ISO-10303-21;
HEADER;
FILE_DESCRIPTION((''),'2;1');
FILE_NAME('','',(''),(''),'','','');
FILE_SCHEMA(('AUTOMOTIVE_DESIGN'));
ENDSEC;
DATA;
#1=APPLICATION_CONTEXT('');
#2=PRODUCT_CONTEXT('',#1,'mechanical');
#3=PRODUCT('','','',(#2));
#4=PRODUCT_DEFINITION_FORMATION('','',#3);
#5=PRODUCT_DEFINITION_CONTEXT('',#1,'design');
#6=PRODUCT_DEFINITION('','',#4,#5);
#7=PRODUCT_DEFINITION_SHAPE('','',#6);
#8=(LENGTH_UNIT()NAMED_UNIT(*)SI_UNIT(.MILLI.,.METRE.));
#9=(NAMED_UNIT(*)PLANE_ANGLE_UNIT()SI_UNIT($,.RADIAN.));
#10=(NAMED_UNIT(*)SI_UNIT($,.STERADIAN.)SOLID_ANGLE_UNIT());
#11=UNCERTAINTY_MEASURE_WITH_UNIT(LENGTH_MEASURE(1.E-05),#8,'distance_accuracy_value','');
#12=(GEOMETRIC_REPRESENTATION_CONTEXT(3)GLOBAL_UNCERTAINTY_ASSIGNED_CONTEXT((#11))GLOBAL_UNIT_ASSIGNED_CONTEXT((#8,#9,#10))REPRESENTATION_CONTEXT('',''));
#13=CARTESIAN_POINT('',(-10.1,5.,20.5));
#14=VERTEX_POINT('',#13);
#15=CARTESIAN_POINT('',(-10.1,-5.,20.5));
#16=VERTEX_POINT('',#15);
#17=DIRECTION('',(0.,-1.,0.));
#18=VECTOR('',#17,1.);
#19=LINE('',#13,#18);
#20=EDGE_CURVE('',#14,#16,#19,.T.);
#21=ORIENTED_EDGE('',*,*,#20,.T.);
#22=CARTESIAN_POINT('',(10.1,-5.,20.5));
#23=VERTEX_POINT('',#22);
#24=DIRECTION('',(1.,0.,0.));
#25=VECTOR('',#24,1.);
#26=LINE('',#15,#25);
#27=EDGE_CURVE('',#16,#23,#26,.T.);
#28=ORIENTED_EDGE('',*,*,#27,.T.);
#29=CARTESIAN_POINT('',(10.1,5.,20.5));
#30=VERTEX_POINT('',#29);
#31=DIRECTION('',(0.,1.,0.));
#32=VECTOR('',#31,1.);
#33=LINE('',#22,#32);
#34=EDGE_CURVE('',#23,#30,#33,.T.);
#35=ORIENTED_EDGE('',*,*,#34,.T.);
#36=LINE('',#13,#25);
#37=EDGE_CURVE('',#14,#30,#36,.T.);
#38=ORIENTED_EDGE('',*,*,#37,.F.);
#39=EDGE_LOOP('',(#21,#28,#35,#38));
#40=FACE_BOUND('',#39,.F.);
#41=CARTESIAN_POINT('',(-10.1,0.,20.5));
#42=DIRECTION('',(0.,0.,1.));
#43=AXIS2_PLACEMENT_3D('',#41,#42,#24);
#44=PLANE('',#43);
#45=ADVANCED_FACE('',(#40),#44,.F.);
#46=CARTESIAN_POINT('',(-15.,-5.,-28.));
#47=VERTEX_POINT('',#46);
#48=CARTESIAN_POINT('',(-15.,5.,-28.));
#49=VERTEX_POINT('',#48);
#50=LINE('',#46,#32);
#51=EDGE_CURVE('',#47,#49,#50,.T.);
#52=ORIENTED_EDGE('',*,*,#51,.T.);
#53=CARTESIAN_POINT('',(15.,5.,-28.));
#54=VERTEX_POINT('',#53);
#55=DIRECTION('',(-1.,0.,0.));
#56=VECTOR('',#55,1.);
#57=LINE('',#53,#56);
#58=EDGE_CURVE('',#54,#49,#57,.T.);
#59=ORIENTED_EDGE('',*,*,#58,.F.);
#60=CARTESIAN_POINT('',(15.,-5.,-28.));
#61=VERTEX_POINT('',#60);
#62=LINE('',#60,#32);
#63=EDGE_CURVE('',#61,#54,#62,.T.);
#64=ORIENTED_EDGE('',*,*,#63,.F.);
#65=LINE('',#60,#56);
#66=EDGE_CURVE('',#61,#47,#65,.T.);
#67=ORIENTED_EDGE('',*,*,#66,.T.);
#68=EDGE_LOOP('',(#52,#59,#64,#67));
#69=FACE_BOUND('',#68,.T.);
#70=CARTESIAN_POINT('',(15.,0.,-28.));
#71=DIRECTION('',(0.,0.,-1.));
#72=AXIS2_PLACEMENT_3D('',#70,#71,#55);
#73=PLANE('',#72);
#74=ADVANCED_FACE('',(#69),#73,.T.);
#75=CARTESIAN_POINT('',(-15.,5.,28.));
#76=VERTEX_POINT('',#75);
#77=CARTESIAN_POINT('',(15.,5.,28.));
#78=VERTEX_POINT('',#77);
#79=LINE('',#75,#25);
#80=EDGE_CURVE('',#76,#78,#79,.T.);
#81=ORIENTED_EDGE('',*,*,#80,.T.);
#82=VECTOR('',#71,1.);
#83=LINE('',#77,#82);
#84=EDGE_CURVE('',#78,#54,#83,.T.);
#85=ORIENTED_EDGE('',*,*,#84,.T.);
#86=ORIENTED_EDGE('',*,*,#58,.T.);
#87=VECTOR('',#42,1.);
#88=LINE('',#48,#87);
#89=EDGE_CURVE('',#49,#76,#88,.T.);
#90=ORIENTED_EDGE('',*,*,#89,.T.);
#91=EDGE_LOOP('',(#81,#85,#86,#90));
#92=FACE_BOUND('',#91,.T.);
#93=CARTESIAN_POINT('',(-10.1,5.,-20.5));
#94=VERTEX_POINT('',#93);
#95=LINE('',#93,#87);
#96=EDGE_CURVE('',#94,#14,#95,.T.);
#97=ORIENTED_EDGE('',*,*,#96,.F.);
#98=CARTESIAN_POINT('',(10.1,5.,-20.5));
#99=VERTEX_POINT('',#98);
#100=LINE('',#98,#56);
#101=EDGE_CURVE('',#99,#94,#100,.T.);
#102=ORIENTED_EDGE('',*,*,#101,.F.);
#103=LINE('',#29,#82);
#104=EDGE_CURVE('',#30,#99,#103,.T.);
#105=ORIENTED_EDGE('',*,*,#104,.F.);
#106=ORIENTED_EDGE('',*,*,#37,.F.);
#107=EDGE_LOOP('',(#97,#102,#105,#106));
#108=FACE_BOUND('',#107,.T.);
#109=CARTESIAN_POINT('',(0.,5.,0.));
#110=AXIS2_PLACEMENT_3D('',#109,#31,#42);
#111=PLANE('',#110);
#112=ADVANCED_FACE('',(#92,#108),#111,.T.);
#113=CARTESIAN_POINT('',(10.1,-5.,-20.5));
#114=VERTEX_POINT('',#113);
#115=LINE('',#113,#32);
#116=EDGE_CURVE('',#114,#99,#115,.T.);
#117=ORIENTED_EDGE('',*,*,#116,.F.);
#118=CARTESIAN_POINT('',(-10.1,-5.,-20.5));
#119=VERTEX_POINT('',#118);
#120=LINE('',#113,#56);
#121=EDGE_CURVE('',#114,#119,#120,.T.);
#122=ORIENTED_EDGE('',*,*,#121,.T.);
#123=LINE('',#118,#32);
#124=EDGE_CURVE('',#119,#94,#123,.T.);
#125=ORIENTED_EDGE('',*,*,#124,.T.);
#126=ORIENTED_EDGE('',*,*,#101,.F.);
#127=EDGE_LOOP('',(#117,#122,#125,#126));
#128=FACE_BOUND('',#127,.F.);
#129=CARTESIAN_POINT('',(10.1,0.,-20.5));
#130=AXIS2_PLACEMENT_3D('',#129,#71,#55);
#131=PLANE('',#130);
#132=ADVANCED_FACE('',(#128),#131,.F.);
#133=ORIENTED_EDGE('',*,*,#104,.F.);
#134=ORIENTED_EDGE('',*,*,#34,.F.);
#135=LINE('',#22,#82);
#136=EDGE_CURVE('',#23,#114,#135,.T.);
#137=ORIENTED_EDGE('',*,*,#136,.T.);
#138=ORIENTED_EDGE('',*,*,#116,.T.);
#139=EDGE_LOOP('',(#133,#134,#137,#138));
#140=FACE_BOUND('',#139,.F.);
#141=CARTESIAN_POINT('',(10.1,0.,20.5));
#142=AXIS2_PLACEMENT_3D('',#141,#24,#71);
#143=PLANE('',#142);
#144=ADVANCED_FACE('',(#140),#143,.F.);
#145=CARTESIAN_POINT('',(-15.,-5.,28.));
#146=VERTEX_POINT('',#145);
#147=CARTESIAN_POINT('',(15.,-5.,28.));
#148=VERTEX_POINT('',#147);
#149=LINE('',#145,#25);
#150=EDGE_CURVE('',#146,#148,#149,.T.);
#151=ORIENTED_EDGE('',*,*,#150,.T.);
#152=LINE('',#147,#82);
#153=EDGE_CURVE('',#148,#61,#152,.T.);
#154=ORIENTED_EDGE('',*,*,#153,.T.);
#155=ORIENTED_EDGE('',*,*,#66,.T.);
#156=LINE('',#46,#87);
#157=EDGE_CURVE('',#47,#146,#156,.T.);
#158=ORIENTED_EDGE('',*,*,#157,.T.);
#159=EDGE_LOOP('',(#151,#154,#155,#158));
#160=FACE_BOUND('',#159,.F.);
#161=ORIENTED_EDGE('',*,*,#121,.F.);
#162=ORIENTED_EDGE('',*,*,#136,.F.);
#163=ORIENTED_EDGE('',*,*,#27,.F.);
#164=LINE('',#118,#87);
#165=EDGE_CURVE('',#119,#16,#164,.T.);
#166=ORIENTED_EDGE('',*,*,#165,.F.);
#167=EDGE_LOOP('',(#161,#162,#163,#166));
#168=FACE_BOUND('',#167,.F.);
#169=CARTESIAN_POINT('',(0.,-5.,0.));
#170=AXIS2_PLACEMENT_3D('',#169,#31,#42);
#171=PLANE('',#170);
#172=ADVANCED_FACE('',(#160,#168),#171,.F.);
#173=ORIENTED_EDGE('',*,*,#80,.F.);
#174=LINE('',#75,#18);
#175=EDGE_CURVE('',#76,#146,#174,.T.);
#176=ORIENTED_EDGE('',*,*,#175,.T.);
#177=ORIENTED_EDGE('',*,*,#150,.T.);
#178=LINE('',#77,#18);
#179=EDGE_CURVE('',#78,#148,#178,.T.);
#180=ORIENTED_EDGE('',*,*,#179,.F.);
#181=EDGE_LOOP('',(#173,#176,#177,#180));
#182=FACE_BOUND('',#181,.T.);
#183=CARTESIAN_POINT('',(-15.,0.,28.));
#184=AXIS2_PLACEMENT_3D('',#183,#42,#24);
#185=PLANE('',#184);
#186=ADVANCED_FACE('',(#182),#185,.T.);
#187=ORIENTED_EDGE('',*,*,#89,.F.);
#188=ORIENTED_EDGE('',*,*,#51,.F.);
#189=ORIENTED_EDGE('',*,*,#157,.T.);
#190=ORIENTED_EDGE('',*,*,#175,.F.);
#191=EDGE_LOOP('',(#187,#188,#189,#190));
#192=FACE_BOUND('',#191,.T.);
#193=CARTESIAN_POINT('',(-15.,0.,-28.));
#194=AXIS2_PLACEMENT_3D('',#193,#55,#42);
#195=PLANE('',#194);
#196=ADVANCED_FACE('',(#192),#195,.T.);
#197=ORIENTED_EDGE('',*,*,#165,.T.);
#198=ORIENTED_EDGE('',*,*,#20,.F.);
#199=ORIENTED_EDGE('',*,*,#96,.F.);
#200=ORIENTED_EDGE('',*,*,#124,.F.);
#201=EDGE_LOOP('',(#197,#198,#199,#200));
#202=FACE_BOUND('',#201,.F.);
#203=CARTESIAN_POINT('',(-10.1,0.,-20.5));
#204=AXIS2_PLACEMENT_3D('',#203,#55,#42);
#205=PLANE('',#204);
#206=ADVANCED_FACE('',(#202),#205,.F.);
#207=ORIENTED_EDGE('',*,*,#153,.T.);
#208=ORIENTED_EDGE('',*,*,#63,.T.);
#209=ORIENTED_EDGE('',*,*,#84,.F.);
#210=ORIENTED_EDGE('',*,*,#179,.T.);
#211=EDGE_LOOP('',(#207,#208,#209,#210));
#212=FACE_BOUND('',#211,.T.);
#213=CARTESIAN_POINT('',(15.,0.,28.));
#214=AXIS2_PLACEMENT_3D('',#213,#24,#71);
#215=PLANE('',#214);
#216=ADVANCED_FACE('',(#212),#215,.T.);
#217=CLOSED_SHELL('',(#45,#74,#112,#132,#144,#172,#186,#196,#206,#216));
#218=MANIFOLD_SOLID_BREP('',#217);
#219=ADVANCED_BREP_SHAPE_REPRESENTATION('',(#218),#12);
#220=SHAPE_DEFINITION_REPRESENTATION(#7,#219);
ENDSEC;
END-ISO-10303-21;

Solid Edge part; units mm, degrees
sketch "Sketch1" plane through (0, 0, 0) normal (0, -1, 0) x (1, 0, 0)
  line L0 (15, 28) -> (15, -28)
  line L1 (15, -28) -> (-15, -28)
  line L2 (-15, -28) -> (-15, 28)
  line L3 (-15, 28) -> (15, 28)
  line L4 (10.1, 20.5) -> (10.1, -20.5)
  line L5 (10.1, -20.5) -> (-10.1, -20.5)
  line L6 (-10.1, -20.5) -> (-10.1, 20.5)
  line L7 (-10.1, 20.5) -> (10.1, 20.5)
  dimension "D1" = 30
  dimension "D2" = 56
  dimension "D3" = 20.2
  dimension "D4" = 41
extrude "Protrusion1" add sketch "Sketch1" along normal mid plane 10
